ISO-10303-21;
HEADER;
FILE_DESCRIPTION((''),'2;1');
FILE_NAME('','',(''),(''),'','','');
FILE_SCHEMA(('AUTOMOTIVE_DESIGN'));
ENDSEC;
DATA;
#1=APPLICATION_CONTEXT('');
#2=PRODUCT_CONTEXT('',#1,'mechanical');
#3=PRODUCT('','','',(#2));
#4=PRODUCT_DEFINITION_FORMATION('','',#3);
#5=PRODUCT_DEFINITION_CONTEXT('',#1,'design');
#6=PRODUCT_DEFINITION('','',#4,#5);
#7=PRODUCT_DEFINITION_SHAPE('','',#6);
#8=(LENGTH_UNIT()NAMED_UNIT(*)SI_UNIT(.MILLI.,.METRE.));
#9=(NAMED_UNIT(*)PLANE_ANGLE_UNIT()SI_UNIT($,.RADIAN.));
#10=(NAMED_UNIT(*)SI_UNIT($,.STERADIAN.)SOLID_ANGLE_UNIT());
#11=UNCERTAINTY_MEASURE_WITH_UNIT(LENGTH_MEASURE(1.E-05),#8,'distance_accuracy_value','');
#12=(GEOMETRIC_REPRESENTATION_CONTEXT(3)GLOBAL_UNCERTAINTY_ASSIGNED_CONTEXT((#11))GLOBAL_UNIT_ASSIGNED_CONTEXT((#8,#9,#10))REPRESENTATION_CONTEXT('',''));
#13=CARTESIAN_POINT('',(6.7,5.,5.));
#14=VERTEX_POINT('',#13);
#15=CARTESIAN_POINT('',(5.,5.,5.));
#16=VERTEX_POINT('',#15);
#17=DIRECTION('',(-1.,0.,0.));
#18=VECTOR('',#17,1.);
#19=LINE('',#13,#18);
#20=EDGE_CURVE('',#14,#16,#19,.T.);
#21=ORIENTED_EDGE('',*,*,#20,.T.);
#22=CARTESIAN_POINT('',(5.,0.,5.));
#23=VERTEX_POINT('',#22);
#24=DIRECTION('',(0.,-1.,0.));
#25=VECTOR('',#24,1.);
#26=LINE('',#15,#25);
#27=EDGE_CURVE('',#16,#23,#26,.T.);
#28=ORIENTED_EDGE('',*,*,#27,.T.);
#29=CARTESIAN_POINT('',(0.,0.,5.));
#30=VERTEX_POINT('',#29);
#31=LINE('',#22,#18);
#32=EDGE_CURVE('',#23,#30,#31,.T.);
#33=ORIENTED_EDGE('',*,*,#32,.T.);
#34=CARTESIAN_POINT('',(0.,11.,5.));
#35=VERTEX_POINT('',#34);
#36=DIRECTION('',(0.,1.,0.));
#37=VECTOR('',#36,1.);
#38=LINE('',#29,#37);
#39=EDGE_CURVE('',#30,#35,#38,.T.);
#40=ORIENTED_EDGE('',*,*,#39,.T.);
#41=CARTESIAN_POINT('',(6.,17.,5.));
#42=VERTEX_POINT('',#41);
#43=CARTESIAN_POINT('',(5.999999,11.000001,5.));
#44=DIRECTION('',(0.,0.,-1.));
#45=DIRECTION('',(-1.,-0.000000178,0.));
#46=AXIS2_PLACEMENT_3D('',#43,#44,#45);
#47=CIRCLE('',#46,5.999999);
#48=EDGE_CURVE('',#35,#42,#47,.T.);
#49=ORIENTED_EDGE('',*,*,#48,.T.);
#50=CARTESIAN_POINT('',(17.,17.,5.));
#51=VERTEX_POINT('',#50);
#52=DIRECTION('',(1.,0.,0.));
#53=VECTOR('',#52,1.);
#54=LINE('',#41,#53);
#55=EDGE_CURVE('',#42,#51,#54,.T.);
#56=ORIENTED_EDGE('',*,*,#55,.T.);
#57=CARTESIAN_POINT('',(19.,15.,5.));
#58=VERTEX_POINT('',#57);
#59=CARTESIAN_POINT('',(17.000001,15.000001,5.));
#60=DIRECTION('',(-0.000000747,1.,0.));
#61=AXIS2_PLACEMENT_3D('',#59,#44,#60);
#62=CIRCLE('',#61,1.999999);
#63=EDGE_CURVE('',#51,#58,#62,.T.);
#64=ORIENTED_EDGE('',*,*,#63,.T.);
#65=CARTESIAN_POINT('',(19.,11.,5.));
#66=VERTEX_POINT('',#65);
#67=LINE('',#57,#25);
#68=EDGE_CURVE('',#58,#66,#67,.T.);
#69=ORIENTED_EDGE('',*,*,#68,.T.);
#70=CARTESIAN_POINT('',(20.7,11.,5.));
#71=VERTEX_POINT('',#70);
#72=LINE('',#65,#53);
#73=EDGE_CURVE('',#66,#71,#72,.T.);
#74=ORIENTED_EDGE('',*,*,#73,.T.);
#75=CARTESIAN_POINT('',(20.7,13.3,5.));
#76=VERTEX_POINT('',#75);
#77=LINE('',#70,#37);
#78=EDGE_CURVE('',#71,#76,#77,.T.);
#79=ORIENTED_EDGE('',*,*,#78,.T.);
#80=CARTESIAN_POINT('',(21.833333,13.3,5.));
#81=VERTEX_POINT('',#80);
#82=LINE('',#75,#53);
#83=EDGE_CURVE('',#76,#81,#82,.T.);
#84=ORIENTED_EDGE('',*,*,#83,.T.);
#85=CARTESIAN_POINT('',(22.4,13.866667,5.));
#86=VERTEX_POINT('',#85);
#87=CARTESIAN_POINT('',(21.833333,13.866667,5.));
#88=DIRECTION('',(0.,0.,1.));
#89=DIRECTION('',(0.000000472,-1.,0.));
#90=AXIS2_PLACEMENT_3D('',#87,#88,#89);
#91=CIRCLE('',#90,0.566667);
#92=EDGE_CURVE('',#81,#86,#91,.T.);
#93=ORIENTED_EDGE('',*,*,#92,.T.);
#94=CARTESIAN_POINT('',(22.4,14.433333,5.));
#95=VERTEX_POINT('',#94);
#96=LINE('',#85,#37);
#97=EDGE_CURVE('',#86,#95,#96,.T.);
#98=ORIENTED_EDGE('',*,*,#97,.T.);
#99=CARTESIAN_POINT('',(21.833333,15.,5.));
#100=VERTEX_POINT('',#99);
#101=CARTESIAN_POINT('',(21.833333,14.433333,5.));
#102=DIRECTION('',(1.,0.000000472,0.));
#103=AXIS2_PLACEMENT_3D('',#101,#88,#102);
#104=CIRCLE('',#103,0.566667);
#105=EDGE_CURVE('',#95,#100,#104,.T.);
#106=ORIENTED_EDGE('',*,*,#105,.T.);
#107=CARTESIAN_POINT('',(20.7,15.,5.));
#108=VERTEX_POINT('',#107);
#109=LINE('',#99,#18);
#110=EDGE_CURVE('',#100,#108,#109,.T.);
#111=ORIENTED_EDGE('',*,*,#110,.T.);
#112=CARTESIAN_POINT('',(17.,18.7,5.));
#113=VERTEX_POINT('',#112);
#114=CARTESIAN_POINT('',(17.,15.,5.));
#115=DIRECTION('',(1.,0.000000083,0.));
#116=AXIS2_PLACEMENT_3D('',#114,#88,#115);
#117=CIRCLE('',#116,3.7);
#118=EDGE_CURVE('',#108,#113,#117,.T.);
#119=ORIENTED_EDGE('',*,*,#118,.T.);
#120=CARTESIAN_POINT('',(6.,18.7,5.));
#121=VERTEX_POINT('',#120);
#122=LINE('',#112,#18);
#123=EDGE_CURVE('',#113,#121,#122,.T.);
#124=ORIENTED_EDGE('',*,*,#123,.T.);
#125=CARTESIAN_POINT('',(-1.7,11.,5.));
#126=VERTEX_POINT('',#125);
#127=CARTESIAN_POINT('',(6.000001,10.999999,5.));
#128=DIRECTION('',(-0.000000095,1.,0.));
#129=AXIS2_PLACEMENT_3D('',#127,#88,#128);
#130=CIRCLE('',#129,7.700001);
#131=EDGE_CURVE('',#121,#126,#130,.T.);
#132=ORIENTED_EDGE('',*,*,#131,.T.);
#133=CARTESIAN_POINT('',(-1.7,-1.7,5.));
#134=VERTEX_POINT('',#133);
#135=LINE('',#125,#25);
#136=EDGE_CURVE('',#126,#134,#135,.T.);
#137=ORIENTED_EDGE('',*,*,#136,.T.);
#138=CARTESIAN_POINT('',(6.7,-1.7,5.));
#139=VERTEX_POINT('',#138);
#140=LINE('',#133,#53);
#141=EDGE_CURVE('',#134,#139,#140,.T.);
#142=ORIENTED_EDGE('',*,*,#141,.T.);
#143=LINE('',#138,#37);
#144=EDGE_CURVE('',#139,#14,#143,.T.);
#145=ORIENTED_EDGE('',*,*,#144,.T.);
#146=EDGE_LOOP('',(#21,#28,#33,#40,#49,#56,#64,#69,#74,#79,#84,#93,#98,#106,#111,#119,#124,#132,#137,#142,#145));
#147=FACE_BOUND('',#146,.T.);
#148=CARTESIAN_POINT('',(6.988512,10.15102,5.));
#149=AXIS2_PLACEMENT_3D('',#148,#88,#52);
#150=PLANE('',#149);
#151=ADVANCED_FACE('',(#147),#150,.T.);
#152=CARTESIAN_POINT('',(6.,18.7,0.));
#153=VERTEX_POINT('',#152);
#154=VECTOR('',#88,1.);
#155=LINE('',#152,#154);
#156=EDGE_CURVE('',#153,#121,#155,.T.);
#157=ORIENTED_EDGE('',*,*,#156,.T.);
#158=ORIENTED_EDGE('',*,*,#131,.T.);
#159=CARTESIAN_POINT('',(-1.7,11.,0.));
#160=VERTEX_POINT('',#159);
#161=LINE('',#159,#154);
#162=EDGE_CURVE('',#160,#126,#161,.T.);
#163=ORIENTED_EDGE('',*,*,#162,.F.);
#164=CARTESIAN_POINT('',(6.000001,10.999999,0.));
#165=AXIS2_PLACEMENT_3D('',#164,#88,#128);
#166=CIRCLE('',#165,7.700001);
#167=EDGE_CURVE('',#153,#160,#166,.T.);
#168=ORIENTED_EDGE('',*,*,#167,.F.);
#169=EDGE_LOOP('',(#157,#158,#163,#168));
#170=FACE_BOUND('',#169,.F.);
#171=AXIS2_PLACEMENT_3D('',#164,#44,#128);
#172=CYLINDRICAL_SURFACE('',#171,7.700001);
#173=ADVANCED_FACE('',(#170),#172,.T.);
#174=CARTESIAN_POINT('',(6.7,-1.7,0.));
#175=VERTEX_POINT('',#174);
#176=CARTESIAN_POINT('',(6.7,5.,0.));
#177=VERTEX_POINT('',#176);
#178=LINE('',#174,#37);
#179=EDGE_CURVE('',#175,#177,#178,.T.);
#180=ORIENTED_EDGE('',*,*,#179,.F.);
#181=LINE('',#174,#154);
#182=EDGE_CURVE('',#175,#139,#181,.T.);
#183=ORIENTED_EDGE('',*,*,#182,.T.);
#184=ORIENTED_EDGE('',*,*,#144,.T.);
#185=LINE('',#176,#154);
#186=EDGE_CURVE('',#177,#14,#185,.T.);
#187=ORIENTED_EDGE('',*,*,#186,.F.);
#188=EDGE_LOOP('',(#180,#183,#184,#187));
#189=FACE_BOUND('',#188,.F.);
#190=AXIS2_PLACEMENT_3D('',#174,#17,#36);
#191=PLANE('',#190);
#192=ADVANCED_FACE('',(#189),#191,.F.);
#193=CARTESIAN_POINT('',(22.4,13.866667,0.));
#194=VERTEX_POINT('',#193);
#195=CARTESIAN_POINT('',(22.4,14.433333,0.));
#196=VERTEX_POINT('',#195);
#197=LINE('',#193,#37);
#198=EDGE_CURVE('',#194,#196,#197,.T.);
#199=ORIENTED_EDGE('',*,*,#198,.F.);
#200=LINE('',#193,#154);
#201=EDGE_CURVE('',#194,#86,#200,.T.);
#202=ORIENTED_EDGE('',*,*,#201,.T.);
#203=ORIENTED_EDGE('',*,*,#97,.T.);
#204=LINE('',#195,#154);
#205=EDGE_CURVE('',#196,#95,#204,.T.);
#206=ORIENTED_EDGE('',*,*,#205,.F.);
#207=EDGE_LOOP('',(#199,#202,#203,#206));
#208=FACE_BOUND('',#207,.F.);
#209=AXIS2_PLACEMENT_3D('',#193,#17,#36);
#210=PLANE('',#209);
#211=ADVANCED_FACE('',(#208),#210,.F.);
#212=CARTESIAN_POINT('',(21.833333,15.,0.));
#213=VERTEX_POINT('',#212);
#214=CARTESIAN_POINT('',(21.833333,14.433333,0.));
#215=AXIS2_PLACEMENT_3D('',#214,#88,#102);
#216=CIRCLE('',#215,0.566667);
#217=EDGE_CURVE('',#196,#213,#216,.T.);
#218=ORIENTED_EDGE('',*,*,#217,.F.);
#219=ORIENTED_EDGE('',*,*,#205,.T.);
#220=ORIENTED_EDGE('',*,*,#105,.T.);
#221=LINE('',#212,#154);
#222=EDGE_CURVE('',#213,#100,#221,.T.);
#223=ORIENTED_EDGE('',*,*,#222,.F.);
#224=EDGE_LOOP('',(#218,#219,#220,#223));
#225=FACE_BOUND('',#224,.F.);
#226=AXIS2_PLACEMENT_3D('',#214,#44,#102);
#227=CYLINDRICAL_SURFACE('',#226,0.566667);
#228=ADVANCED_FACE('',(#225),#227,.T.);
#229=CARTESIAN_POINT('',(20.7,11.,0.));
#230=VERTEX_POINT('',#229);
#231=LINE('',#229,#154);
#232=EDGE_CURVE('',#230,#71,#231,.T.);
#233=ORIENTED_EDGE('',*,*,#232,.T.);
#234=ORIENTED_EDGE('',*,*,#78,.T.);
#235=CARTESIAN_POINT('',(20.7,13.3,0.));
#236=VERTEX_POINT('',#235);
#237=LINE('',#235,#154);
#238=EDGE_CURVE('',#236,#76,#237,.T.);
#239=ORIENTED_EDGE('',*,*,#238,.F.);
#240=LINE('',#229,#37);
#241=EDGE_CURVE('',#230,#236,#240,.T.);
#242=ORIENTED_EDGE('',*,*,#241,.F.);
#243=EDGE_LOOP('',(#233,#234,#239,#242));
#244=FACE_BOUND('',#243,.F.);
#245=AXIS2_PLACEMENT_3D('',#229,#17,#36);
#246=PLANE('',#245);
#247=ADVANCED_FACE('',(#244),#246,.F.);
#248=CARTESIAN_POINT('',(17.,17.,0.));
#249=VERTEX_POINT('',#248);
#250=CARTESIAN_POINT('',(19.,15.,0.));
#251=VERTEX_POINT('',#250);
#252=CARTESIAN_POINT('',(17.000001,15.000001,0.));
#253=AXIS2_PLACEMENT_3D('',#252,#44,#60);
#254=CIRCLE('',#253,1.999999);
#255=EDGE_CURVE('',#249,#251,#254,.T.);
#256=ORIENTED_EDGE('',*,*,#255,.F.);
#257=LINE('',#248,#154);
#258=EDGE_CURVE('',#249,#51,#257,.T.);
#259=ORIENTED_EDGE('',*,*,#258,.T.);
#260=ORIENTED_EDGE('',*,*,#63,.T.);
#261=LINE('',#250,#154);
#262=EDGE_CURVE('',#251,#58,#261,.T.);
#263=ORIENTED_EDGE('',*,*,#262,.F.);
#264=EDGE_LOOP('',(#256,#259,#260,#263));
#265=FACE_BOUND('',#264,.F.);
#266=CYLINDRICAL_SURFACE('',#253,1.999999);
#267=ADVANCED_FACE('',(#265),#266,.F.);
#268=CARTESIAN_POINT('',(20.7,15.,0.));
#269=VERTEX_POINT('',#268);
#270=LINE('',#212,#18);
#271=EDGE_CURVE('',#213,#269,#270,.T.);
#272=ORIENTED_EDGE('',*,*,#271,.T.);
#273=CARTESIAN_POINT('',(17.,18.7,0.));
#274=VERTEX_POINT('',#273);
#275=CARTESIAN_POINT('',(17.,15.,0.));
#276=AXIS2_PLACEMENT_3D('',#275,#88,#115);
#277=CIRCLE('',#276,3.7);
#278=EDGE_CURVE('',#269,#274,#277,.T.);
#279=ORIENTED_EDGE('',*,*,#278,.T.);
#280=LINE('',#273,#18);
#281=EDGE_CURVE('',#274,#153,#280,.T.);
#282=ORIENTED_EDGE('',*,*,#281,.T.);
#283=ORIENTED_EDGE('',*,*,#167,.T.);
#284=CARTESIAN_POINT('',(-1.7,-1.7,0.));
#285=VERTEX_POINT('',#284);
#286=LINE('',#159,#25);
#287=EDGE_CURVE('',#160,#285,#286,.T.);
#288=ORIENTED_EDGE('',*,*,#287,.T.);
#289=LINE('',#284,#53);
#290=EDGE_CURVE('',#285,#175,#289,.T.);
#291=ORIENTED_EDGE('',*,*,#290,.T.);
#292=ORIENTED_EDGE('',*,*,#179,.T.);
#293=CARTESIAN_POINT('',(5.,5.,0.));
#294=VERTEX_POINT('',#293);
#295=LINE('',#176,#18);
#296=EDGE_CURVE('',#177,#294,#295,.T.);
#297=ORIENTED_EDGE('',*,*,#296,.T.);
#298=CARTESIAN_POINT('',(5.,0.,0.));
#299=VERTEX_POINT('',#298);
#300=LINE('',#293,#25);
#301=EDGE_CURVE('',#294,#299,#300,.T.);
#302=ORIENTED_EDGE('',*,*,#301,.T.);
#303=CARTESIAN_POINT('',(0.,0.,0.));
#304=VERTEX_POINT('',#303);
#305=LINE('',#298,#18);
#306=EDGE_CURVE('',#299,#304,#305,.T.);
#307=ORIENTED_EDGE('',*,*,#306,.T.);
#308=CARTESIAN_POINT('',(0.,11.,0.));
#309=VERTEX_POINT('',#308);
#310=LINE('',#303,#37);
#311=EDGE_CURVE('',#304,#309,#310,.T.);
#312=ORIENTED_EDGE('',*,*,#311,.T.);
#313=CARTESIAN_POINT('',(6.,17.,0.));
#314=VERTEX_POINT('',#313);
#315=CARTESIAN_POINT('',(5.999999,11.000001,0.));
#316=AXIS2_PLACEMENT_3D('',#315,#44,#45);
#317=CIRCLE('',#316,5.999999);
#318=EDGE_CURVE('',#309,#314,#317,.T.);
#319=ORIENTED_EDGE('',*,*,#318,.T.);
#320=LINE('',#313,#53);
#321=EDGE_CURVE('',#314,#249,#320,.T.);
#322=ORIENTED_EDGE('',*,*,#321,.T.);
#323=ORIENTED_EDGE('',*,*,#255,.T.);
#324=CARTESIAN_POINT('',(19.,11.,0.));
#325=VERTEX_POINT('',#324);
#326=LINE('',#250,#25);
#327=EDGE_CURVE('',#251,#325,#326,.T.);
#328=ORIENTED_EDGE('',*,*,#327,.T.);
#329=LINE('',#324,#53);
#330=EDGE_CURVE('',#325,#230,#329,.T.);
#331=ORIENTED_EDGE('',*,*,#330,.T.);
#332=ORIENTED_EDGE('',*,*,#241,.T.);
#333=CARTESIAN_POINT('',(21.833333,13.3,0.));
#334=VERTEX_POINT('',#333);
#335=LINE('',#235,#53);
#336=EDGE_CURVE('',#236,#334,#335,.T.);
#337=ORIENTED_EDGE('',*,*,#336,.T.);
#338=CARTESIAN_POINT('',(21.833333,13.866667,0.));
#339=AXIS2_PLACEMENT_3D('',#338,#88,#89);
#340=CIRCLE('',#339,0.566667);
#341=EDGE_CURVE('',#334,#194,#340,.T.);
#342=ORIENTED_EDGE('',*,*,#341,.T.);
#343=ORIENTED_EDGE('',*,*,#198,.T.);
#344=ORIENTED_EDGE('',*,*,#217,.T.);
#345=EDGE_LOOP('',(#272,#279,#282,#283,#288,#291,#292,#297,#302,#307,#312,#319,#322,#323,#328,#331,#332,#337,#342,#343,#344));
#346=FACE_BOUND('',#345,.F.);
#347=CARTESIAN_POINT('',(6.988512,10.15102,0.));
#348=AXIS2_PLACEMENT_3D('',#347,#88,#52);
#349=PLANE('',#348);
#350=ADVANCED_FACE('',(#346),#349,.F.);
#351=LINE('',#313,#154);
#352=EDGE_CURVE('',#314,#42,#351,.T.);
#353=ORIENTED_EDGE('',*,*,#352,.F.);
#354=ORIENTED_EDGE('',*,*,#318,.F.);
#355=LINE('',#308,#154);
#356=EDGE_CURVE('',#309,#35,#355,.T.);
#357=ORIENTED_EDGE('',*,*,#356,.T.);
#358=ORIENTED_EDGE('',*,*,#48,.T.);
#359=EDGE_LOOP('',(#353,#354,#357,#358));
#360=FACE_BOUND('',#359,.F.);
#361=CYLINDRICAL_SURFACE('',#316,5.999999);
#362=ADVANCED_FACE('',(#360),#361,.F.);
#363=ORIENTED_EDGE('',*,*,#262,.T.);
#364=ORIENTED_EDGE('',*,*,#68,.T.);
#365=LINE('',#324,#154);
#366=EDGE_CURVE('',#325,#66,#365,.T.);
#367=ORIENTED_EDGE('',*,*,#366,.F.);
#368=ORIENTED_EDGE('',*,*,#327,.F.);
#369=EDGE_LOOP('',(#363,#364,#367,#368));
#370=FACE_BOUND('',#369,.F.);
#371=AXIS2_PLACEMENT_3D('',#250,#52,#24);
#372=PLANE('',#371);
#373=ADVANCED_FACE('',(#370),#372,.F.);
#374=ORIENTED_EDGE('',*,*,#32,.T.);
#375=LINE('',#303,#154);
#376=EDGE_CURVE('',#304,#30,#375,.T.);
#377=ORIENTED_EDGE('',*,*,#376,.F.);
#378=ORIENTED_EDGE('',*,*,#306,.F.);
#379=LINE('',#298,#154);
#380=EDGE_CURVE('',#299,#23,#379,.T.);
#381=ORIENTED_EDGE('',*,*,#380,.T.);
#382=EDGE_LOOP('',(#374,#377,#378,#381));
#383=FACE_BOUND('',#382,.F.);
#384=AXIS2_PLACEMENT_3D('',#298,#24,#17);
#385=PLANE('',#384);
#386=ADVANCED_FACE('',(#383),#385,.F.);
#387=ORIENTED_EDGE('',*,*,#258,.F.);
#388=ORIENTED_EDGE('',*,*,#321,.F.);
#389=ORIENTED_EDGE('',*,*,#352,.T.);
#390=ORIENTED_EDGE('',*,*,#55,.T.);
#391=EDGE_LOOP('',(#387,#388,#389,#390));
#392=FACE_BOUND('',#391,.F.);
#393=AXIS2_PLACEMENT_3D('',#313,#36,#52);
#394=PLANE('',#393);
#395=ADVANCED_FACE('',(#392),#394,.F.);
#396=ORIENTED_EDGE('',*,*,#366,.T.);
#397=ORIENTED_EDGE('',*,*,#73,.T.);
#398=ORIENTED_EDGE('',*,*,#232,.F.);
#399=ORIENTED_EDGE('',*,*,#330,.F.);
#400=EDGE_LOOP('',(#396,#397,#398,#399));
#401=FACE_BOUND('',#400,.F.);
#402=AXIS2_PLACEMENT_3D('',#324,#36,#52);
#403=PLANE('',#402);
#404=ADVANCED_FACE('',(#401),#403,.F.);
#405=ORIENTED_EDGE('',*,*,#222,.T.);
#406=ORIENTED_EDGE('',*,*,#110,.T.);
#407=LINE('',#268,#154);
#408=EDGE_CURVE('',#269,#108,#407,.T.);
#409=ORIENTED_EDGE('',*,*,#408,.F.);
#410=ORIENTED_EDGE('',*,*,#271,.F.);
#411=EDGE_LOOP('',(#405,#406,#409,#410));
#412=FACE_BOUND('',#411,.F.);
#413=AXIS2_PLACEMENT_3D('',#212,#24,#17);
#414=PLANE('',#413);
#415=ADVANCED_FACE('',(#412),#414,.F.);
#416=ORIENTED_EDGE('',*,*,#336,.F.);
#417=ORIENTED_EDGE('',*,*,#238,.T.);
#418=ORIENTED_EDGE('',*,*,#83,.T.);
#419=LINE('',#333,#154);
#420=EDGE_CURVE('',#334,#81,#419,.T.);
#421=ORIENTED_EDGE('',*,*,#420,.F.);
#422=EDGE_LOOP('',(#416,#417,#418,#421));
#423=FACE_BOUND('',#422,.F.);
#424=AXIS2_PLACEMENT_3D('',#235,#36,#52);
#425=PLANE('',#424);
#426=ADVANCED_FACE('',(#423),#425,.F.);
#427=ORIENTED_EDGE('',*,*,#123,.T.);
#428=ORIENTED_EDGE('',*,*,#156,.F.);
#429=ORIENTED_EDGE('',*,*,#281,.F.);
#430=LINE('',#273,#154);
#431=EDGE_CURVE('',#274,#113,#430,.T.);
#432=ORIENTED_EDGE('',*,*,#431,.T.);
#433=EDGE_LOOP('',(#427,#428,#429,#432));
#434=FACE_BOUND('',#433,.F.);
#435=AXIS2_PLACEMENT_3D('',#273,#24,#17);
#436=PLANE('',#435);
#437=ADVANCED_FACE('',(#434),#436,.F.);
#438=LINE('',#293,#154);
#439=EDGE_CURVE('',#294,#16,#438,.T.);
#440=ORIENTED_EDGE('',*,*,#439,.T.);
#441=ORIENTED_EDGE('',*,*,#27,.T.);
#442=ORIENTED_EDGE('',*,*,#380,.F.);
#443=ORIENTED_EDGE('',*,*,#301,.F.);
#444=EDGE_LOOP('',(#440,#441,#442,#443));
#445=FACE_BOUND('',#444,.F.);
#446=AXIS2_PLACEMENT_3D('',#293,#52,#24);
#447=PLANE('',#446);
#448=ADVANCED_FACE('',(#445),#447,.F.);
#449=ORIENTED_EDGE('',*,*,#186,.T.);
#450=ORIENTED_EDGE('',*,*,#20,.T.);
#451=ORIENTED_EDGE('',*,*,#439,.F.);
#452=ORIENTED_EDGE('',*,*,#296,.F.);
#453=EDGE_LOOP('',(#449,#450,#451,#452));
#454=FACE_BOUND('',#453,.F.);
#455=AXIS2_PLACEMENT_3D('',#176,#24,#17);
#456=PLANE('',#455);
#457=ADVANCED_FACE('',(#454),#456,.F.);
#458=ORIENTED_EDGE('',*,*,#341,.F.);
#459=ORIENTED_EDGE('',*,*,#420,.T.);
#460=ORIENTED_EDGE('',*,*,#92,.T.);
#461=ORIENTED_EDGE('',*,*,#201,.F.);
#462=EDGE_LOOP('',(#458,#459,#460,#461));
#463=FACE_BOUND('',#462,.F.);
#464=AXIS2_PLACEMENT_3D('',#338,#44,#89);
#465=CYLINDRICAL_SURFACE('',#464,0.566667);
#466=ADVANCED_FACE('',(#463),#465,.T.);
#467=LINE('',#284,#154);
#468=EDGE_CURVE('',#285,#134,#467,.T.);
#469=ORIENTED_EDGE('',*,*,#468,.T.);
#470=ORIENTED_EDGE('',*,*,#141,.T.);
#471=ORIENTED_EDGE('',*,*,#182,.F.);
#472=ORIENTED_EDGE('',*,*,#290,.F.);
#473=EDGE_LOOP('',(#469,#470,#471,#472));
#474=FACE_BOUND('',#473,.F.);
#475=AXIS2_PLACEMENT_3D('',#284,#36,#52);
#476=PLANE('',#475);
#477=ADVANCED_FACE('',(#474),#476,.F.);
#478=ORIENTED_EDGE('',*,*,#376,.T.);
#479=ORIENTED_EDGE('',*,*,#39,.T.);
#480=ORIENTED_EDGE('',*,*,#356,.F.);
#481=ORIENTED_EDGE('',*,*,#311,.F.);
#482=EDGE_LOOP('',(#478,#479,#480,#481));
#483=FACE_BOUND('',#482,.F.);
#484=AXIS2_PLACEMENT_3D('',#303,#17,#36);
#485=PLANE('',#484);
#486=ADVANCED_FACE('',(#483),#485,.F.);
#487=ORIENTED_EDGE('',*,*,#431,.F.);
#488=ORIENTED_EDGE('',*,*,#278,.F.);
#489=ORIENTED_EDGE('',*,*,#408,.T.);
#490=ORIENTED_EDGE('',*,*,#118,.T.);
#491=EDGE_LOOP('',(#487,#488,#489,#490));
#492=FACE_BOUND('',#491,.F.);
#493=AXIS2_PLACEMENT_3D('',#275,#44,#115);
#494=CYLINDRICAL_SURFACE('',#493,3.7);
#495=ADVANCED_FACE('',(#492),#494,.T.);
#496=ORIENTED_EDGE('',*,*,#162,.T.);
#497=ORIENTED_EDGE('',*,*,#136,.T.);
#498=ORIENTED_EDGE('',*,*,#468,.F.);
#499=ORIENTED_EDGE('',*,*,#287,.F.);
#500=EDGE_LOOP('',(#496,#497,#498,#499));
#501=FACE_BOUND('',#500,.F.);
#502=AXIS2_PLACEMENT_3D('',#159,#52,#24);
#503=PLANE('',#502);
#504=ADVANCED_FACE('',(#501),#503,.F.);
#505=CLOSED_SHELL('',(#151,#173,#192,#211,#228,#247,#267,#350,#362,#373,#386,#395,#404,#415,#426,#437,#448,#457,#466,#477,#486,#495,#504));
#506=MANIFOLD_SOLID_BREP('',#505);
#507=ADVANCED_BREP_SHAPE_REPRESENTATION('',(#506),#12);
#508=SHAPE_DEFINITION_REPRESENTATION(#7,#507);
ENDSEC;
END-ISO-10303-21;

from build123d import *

# Parameters (mm, degrees)
F1_DEPTH = 5


with BuildPart() as f1:
    # F0 (on Top) → F1 (new body)
    with BuildSketch(Plane.XY):
        with BuildLine():
            Line((5, 0), (0, 0))
            Line((0, 0), (0, 11))
            ThreePointArc((0, 11), (1.757359, 15.242641), (6, 17))
            Line((6, 17), (17, 17))
            ThreePointArc((17, 17), (18.414214, 16.414214), (19, 15))
            Line((19, 15), (19, 11))
            Line((19, 11), (20.7, 11))
            Line((20.7, 11), (20.7, 13.3))
            Line((20.7, 13.3), (21.833333, 13.3))
            ThreePointArc((21.833333, 13.3), (22.234027, 13.465973), (22.4, 13.866667))
            Line((22.4, 13.866667), (22.4, 14.433333))
            ThreePointArc((22.4, 14.433333), (22.234027, 14.834027), (21.833333, 15))
            Line((21.833333, 15), (20.7, 15))
            ThreePointArc((20.7, 15), (19.616295, 17.616295), (17, 18.7))
            Line((17, 18.7), (6, 18.7))
            ThreePointArc((6, 18.7), (0.555278, 16.444722), (-1.7, 11))
            Line((-1.7, 11), (-1.7, -1.7))
            Line((-1.7, -1.7), (6.7, -1.7))
            Line((6.7, -1.7), (6.7, 5))
            Line((6.7, 5), (5, 5))
            Line((5, 5), (5, 0))
        make_face()
    extrude(amount=F1_DEPTH)


solid = f1.part
